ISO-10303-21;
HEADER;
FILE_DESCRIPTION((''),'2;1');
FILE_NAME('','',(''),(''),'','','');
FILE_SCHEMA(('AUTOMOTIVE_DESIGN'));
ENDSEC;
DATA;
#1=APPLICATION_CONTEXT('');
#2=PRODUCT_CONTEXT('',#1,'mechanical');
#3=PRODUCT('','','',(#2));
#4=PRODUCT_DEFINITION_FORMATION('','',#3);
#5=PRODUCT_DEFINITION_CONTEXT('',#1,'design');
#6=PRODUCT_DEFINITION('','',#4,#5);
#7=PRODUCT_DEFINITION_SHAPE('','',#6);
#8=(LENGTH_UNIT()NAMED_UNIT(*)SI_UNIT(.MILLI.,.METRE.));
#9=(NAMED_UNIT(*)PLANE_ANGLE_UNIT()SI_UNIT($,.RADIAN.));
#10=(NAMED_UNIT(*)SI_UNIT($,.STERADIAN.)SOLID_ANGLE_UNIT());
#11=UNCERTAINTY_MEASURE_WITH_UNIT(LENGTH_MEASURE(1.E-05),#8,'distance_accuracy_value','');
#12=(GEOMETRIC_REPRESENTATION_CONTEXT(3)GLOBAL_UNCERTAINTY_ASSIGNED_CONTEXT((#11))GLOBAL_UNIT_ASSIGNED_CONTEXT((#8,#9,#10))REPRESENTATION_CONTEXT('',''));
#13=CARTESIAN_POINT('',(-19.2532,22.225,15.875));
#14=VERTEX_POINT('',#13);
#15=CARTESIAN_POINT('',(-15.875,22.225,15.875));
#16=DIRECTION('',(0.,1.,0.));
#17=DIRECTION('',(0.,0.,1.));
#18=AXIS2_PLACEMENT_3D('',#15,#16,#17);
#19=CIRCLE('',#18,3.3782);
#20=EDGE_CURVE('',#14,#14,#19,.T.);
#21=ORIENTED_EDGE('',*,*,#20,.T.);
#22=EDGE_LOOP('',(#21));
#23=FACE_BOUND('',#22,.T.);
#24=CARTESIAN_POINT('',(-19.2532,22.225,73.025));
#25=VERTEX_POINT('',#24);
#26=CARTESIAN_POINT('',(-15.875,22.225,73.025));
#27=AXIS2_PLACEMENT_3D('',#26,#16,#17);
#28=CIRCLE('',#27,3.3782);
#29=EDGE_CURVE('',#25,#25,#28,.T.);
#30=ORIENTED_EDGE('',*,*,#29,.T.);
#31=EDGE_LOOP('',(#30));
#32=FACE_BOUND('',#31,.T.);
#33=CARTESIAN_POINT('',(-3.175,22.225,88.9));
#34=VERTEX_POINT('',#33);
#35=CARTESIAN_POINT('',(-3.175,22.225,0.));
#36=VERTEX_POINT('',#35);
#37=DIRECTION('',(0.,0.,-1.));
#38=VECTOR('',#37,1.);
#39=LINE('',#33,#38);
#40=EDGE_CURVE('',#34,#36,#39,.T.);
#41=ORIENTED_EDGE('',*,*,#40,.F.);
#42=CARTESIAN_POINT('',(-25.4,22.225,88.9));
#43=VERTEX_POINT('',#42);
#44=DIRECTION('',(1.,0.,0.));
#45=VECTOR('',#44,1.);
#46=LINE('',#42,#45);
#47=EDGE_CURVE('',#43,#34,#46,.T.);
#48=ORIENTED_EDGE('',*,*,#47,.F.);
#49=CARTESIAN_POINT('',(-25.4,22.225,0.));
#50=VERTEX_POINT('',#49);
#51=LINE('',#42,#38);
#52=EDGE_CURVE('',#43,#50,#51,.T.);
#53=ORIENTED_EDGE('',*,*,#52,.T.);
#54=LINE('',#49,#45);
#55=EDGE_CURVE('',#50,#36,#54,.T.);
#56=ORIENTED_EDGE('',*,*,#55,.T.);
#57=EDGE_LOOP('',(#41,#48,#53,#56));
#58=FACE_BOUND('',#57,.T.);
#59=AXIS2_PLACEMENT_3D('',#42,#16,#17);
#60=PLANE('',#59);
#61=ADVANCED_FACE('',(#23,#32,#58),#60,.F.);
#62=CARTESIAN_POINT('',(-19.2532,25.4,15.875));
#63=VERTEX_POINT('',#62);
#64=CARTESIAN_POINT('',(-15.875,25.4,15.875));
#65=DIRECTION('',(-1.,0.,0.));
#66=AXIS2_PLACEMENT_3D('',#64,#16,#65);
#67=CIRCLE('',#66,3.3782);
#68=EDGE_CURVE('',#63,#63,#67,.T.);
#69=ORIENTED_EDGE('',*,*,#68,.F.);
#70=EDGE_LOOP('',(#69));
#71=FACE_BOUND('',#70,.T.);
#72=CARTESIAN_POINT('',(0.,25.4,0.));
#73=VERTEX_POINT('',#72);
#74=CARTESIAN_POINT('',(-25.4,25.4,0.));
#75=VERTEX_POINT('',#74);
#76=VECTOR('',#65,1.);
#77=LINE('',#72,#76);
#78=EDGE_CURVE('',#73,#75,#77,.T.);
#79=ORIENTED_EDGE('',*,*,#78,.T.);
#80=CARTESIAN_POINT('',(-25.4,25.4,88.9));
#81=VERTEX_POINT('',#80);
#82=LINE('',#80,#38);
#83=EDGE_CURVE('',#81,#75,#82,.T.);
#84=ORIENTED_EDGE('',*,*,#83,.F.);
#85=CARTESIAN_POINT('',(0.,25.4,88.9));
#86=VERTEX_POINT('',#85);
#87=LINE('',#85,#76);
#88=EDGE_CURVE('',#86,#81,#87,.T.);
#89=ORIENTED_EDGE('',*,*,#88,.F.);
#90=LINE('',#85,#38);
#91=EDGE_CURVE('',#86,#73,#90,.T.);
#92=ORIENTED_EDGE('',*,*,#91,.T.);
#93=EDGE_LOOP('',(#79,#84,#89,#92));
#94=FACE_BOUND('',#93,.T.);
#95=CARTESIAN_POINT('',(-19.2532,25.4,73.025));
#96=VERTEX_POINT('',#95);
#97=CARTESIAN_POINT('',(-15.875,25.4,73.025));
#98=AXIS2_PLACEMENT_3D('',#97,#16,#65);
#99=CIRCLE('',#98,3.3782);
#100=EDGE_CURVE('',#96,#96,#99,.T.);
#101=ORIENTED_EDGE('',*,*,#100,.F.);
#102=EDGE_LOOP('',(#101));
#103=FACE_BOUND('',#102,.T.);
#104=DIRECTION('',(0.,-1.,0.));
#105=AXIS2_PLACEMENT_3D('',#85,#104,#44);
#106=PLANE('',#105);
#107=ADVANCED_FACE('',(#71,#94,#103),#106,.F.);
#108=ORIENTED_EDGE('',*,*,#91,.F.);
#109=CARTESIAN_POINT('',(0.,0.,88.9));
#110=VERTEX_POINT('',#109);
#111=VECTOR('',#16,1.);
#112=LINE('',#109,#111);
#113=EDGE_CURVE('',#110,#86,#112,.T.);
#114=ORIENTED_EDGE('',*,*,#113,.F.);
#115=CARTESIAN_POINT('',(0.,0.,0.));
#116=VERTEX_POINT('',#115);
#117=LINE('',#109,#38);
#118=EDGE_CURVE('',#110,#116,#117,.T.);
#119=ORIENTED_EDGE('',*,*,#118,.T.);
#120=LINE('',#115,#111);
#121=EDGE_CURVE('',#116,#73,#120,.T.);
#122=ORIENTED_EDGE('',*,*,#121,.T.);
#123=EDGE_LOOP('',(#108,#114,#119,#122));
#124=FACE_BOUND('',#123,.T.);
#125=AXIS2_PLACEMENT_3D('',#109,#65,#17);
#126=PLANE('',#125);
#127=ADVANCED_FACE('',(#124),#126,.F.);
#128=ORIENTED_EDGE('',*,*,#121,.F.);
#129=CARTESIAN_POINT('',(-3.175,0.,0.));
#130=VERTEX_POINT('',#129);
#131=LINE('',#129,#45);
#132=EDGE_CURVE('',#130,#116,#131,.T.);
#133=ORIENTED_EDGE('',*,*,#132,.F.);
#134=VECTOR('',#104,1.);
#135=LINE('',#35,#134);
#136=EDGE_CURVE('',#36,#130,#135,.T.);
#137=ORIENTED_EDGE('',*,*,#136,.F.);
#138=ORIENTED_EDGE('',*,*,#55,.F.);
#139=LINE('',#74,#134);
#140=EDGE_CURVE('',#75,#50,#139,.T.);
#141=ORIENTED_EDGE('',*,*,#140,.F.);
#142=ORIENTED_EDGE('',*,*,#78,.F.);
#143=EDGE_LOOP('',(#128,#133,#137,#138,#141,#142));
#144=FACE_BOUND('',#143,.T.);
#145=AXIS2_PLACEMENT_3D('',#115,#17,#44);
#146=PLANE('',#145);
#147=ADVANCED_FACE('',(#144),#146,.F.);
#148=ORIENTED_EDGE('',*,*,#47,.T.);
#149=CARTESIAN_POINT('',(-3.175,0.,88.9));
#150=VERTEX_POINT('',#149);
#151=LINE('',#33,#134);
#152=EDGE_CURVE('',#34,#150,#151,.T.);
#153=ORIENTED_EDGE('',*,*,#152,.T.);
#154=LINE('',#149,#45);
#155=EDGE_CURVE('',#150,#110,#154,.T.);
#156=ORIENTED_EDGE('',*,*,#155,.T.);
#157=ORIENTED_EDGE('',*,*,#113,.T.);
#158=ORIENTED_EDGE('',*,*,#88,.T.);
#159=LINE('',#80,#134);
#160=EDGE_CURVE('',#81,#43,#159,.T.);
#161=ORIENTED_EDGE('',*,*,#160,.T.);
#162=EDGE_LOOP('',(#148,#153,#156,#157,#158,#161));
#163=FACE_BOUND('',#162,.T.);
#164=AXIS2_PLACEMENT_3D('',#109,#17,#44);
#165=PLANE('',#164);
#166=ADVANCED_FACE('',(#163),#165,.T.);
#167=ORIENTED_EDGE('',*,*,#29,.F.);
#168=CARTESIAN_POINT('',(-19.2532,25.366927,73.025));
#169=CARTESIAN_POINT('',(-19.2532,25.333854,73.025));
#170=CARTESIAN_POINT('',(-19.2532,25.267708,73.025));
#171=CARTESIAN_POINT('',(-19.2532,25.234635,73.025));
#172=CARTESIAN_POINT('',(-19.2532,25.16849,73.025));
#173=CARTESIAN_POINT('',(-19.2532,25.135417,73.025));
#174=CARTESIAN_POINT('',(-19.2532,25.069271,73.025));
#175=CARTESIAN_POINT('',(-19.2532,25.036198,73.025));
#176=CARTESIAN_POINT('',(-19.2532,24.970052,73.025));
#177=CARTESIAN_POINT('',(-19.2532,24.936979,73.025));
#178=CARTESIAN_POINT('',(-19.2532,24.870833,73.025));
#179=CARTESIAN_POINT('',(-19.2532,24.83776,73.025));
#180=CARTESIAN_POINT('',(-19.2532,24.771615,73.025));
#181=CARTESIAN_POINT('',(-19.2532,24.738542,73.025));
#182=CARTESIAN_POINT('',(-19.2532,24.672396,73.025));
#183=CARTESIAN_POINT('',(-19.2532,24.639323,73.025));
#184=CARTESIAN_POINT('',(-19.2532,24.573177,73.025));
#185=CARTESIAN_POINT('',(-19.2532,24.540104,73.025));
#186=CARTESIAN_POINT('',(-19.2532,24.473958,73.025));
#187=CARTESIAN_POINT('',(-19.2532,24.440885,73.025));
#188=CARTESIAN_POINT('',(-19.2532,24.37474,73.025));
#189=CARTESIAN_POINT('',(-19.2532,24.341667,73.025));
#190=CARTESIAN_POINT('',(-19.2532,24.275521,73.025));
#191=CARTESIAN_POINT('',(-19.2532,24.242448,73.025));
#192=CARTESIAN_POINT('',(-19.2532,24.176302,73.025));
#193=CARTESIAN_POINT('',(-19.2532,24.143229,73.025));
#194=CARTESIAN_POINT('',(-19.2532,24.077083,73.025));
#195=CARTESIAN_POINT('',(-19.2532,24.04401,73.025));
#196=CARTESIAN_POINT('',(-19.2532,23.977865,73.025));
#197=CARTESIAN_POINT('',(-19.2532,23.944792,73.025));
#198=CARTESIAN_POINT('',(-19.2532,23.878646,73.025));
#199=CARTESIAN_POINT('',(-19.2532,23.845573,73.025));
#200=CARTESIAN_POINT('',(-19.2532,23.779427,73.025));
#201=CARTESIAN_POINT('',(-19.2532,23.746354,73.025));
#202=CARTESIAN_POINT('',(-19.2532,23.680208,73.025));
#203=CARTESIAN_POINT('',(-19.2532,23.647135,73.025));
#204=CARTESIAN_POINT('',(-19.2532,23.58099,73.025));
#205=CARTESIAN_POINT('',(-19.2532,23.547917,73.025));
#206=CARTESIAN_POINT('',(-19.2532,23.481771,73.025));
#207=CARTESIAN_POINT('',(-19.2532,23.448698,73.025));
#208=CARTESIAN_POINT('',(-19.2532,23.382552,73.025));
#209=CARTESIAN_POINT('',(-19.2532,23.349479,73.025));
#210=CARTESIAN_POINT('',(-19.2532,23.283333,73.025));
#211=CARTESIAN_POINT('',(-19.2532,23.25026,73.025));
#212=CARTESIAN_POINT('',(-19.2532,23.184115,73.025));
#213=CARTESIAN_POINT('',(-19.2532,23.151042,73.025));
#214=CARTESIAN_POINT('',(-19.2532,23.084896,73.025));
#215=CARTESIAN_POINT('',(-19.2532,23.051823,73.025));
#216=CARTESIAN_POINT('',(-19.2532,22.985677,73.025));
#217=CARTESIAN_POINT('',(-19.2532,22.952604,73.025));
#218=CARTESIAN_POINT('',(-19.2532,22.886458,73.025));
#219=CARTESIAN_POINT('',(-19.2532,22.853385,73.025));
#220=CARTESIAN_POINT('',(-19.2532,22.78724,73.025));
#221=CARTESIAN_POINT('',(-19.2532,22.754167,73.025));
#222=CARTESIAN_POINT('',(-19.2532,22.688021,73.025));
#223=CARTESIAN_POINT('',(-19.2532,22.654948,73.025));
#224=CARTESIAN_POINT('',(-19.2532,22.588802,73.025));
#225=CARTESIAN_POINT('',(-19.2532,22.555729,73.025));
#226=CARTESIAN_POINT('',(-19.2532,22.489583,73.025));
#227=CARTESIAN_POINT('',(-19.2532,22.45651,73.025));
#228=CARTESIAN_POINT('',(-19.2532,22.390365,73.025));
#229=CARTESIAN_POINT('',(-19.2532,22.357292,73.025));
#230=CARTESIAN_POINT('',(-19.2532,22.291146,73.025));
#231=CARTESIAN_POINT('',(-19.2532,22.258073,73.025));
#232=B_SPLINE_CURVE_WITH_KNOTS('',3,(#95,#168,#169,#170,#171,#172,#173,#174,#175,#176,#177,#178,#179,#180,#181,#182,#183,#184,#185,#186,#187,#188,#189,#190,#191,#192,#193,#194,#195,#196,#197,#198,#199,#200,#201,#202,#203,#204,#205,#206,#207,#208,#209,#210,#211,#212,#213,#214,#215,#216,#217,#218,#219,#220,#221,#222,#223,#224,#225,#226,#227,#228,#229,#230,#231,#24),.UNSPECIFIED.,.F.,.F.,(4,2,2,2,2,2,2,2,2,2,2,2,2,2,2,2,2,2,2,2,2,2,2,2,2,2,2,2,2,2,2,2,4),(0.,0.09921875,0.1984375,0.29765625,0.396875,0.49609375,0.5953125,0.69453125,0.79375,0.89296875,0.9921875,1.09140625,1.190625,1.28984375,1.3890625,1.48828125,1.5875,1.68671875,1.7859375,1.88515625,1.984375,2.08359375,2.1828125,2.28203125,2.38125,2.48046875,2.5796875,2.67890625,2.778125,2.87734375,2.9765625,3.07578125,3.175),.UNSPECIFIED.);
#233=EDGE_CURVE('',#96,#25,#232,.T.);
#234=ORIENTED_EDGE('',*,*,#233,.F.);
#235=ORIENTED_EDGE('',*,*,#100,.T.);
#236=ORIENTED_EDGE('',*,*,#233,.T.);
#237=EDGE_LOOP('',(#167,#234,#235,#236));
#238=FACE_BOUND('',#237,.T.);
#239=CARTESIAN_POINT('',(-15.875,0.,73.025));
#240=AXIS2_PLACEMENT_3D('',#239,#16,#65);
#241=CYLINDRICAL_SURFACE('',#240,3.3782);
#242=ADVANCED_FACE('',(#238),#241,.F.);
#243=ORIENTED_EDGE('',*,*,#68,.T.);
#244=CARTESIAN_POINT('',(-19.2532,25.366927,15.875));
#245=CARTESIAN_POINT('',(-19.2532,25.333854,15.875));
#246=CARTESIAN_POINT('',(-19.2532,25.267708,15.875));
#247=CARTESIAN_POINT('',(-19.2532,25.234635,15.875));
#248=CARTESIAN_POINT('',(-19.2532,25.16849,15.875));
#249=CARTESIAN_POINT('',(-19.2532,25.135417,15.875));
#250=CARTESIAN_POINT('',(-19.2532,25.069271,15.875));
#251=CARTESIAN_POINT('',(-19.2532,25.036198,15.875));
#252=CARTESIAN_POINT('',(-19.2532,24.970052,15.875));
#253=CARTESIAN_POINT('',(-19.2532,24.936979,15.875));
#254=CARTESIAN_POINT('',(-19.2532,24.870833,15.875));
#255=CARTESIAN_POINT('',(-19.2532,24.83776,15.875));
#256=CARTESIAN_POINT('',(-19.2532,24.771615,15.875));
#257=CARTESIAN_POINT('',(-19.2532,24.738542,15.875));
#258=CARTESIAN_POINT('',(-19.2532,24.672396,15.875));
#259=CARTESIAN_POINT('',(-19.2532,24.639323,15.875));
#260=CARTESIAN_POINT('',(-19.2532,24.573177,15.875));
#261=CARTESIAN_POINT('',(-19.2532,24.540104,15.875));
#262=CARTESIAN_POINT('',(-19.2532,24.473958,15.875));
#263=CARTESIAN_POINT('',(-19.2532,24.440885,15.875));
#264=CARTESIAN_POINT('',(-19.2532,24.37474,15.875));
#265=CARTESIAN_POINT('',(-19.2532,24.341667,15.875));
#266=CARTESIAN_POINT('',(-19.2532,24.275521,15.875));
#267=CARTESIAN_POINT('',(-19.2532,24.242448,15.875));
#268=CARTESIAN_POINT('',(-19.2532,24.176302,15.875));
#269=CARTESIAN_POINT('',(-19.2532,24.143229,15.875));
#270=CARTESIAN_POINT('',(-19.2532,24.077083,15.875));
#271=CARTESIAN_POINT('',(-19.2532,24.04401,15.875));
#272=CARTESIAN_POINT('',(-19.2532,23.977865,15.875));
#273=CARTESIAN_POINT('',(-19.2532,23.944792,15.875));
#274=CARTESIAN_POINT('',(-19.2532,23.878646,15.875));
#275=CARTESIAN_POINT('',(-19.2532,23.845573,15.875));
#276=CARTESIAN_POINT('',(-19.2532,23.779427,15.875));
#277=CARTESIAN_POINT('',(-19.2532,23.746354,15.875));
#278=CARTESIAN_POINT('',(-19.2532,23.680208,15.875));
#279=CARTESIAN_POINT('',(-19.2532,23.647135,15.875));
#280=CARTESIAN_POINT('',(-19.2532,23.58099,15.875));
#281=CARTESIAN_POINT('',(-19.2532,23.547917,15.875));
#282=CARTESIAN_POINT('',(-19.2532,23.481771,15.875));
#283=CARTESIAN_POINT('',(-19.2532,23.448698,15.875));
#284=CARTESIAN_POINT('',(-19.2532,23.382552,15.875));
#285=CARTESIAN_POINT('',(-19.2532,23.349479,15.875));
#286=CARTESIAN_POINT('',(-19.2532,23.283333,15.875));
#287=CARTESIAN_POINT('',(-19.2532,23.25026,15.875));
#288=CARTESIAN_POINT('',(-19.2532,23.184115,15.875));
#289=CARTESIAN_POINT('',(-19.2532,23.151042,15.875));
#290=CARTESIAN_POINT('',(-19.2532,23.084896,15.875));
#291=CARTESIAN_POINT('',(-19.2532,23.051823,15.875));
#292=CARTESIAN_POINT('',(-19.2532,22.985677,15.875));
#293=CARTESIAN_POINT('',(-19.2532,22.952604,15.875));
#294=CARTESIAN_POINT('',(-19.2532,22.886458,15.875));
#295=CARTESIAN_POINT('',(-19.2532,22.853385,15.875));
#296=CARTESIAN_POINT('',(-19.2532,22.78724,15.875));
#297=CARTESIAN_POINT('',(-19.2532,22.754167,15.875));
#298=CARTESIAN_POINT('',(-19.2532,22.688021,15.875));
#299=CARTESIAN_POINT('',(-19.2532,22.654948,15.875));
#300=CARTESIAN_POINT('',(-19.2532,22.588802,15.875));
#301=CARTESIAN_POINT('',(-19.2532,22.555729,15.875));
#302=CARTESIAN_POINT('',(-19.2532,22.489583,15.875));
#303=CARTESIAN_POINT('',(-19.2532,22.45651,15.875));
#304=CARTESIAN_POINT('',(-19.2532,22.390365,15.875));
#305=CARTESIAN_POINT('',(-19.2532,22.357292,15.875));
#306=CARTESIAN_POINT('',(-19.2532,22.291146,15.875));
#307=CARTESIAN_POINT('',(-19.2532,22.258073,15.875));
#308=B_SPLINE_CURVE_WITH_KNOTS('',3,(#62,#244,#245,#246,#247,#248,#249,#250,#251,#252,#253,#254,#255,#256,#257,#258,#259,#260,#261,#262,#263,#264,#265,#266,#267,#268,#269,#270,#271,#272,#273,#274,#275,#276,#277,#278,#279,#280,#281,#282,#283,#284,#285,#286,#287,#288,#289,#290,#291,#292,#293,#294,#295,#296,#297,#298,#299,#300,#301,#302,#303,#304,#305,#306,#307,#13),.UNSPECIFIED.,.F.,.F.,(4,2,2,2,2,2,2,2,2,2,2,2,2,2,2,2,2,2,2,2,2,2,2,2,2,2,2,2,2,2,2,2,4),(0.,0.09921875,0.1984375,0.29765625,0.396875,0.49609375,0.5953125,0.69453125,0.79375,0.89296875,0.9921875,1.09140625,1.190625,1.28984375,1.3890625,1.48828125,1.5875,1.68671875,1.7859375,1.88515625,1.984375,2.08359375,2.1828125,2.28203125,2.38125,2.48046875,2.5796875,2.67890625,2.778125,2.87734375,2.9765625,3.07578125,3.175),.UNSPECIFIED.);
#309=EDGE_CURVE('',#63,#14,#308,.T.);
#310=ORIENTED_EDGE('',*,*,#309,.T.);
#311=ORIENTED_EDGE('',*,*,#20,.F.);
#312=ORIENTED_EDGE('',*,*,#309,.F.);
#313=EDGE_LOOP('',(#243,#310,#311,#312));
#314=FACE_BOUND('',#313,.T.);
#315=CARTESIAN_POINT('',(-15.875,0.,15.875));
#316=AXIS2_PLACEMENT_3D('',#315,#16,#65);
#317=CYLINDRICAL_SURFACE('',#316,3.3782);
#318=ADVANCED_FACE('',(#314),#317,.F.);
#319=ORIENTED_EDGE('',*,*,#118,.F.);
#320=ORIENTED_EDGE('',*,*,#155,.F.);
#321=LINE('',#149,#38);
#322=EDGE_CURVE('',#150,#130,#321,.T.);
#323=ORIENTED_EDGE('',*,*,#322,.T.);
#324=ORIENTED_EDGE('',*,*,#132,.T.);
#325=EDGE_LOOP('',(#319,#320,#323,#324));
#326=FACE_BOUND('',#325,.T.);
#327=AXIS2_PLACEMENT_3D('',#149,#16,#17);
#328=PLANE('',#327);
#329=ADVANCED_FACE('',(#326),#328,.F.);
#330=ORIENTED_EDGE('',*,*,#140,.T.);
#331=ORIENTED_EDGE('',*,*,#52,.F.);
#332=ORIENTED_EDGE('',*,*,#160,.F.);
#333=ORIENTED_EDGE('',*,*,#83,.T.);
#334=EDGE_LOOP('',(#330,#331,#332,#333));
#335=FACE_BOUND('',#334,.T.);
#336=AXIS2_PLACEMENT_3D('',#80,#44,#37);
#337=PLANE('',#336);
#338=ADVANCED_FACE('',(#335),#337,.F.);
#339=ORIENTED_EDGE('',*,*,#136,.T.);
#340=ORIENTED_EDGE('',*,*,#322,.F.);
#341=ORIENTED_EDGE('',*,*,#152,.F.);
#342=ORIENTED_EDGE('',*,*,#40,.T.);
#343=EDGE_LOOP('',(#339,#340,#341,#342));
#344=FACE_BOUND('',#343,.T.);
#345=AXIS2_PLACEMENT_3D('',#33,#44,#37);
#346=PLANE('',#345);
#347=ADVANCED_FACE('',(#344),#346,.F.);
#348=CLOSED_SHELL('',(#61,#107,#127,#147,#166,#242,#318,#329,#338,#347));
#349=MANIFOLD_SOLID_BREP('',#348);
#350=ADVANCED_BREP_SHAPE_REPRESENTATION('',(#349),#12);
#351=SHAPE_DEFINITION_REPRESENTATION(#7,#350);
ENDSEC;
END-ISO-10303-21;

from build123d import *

# Parameters (mm, degrees)
BOSS_EXTRUDE1_DEPTH = 88.9
SKETCH2_R           = 3.3782
CUT_EXTRUDE1_DEPTH  = 96.882897328


with BuildPart() as part:
    # Sketch1 → Boss-Extrude1 (new body)
    with BuildSketch(Plane.XY):
        Polygon((0, 0), (0, 25.4), (-25.4, 25.4), (-25.4, 22.225), (-3.175, 22.225), (-3.175, 0), align=None)
    extrude(amount=BOSS_EXTRUDE1_DEPTH)

    # Sketch2 → Cut-Extrude1 (cut, through all)
    with BuildSketch(Plane(origin=(0, 25.4, 0), x_dir=(1, 0, 0), z_dir=(0, 1, 0))):
        with Locations(Location((-15.875, -15.875, 0), (0, 0, 180))):
            Circle(SKETCH2_R)
        with Locations(Location((-15.875, -73.025, 0), (0, 0, 180))):
            Circle(SKETCH2_R)
    extrude(amount=-CUT_EXTRUDE1_DEPTH, mode=Mode.SUBTRACT)


solid = part.part
